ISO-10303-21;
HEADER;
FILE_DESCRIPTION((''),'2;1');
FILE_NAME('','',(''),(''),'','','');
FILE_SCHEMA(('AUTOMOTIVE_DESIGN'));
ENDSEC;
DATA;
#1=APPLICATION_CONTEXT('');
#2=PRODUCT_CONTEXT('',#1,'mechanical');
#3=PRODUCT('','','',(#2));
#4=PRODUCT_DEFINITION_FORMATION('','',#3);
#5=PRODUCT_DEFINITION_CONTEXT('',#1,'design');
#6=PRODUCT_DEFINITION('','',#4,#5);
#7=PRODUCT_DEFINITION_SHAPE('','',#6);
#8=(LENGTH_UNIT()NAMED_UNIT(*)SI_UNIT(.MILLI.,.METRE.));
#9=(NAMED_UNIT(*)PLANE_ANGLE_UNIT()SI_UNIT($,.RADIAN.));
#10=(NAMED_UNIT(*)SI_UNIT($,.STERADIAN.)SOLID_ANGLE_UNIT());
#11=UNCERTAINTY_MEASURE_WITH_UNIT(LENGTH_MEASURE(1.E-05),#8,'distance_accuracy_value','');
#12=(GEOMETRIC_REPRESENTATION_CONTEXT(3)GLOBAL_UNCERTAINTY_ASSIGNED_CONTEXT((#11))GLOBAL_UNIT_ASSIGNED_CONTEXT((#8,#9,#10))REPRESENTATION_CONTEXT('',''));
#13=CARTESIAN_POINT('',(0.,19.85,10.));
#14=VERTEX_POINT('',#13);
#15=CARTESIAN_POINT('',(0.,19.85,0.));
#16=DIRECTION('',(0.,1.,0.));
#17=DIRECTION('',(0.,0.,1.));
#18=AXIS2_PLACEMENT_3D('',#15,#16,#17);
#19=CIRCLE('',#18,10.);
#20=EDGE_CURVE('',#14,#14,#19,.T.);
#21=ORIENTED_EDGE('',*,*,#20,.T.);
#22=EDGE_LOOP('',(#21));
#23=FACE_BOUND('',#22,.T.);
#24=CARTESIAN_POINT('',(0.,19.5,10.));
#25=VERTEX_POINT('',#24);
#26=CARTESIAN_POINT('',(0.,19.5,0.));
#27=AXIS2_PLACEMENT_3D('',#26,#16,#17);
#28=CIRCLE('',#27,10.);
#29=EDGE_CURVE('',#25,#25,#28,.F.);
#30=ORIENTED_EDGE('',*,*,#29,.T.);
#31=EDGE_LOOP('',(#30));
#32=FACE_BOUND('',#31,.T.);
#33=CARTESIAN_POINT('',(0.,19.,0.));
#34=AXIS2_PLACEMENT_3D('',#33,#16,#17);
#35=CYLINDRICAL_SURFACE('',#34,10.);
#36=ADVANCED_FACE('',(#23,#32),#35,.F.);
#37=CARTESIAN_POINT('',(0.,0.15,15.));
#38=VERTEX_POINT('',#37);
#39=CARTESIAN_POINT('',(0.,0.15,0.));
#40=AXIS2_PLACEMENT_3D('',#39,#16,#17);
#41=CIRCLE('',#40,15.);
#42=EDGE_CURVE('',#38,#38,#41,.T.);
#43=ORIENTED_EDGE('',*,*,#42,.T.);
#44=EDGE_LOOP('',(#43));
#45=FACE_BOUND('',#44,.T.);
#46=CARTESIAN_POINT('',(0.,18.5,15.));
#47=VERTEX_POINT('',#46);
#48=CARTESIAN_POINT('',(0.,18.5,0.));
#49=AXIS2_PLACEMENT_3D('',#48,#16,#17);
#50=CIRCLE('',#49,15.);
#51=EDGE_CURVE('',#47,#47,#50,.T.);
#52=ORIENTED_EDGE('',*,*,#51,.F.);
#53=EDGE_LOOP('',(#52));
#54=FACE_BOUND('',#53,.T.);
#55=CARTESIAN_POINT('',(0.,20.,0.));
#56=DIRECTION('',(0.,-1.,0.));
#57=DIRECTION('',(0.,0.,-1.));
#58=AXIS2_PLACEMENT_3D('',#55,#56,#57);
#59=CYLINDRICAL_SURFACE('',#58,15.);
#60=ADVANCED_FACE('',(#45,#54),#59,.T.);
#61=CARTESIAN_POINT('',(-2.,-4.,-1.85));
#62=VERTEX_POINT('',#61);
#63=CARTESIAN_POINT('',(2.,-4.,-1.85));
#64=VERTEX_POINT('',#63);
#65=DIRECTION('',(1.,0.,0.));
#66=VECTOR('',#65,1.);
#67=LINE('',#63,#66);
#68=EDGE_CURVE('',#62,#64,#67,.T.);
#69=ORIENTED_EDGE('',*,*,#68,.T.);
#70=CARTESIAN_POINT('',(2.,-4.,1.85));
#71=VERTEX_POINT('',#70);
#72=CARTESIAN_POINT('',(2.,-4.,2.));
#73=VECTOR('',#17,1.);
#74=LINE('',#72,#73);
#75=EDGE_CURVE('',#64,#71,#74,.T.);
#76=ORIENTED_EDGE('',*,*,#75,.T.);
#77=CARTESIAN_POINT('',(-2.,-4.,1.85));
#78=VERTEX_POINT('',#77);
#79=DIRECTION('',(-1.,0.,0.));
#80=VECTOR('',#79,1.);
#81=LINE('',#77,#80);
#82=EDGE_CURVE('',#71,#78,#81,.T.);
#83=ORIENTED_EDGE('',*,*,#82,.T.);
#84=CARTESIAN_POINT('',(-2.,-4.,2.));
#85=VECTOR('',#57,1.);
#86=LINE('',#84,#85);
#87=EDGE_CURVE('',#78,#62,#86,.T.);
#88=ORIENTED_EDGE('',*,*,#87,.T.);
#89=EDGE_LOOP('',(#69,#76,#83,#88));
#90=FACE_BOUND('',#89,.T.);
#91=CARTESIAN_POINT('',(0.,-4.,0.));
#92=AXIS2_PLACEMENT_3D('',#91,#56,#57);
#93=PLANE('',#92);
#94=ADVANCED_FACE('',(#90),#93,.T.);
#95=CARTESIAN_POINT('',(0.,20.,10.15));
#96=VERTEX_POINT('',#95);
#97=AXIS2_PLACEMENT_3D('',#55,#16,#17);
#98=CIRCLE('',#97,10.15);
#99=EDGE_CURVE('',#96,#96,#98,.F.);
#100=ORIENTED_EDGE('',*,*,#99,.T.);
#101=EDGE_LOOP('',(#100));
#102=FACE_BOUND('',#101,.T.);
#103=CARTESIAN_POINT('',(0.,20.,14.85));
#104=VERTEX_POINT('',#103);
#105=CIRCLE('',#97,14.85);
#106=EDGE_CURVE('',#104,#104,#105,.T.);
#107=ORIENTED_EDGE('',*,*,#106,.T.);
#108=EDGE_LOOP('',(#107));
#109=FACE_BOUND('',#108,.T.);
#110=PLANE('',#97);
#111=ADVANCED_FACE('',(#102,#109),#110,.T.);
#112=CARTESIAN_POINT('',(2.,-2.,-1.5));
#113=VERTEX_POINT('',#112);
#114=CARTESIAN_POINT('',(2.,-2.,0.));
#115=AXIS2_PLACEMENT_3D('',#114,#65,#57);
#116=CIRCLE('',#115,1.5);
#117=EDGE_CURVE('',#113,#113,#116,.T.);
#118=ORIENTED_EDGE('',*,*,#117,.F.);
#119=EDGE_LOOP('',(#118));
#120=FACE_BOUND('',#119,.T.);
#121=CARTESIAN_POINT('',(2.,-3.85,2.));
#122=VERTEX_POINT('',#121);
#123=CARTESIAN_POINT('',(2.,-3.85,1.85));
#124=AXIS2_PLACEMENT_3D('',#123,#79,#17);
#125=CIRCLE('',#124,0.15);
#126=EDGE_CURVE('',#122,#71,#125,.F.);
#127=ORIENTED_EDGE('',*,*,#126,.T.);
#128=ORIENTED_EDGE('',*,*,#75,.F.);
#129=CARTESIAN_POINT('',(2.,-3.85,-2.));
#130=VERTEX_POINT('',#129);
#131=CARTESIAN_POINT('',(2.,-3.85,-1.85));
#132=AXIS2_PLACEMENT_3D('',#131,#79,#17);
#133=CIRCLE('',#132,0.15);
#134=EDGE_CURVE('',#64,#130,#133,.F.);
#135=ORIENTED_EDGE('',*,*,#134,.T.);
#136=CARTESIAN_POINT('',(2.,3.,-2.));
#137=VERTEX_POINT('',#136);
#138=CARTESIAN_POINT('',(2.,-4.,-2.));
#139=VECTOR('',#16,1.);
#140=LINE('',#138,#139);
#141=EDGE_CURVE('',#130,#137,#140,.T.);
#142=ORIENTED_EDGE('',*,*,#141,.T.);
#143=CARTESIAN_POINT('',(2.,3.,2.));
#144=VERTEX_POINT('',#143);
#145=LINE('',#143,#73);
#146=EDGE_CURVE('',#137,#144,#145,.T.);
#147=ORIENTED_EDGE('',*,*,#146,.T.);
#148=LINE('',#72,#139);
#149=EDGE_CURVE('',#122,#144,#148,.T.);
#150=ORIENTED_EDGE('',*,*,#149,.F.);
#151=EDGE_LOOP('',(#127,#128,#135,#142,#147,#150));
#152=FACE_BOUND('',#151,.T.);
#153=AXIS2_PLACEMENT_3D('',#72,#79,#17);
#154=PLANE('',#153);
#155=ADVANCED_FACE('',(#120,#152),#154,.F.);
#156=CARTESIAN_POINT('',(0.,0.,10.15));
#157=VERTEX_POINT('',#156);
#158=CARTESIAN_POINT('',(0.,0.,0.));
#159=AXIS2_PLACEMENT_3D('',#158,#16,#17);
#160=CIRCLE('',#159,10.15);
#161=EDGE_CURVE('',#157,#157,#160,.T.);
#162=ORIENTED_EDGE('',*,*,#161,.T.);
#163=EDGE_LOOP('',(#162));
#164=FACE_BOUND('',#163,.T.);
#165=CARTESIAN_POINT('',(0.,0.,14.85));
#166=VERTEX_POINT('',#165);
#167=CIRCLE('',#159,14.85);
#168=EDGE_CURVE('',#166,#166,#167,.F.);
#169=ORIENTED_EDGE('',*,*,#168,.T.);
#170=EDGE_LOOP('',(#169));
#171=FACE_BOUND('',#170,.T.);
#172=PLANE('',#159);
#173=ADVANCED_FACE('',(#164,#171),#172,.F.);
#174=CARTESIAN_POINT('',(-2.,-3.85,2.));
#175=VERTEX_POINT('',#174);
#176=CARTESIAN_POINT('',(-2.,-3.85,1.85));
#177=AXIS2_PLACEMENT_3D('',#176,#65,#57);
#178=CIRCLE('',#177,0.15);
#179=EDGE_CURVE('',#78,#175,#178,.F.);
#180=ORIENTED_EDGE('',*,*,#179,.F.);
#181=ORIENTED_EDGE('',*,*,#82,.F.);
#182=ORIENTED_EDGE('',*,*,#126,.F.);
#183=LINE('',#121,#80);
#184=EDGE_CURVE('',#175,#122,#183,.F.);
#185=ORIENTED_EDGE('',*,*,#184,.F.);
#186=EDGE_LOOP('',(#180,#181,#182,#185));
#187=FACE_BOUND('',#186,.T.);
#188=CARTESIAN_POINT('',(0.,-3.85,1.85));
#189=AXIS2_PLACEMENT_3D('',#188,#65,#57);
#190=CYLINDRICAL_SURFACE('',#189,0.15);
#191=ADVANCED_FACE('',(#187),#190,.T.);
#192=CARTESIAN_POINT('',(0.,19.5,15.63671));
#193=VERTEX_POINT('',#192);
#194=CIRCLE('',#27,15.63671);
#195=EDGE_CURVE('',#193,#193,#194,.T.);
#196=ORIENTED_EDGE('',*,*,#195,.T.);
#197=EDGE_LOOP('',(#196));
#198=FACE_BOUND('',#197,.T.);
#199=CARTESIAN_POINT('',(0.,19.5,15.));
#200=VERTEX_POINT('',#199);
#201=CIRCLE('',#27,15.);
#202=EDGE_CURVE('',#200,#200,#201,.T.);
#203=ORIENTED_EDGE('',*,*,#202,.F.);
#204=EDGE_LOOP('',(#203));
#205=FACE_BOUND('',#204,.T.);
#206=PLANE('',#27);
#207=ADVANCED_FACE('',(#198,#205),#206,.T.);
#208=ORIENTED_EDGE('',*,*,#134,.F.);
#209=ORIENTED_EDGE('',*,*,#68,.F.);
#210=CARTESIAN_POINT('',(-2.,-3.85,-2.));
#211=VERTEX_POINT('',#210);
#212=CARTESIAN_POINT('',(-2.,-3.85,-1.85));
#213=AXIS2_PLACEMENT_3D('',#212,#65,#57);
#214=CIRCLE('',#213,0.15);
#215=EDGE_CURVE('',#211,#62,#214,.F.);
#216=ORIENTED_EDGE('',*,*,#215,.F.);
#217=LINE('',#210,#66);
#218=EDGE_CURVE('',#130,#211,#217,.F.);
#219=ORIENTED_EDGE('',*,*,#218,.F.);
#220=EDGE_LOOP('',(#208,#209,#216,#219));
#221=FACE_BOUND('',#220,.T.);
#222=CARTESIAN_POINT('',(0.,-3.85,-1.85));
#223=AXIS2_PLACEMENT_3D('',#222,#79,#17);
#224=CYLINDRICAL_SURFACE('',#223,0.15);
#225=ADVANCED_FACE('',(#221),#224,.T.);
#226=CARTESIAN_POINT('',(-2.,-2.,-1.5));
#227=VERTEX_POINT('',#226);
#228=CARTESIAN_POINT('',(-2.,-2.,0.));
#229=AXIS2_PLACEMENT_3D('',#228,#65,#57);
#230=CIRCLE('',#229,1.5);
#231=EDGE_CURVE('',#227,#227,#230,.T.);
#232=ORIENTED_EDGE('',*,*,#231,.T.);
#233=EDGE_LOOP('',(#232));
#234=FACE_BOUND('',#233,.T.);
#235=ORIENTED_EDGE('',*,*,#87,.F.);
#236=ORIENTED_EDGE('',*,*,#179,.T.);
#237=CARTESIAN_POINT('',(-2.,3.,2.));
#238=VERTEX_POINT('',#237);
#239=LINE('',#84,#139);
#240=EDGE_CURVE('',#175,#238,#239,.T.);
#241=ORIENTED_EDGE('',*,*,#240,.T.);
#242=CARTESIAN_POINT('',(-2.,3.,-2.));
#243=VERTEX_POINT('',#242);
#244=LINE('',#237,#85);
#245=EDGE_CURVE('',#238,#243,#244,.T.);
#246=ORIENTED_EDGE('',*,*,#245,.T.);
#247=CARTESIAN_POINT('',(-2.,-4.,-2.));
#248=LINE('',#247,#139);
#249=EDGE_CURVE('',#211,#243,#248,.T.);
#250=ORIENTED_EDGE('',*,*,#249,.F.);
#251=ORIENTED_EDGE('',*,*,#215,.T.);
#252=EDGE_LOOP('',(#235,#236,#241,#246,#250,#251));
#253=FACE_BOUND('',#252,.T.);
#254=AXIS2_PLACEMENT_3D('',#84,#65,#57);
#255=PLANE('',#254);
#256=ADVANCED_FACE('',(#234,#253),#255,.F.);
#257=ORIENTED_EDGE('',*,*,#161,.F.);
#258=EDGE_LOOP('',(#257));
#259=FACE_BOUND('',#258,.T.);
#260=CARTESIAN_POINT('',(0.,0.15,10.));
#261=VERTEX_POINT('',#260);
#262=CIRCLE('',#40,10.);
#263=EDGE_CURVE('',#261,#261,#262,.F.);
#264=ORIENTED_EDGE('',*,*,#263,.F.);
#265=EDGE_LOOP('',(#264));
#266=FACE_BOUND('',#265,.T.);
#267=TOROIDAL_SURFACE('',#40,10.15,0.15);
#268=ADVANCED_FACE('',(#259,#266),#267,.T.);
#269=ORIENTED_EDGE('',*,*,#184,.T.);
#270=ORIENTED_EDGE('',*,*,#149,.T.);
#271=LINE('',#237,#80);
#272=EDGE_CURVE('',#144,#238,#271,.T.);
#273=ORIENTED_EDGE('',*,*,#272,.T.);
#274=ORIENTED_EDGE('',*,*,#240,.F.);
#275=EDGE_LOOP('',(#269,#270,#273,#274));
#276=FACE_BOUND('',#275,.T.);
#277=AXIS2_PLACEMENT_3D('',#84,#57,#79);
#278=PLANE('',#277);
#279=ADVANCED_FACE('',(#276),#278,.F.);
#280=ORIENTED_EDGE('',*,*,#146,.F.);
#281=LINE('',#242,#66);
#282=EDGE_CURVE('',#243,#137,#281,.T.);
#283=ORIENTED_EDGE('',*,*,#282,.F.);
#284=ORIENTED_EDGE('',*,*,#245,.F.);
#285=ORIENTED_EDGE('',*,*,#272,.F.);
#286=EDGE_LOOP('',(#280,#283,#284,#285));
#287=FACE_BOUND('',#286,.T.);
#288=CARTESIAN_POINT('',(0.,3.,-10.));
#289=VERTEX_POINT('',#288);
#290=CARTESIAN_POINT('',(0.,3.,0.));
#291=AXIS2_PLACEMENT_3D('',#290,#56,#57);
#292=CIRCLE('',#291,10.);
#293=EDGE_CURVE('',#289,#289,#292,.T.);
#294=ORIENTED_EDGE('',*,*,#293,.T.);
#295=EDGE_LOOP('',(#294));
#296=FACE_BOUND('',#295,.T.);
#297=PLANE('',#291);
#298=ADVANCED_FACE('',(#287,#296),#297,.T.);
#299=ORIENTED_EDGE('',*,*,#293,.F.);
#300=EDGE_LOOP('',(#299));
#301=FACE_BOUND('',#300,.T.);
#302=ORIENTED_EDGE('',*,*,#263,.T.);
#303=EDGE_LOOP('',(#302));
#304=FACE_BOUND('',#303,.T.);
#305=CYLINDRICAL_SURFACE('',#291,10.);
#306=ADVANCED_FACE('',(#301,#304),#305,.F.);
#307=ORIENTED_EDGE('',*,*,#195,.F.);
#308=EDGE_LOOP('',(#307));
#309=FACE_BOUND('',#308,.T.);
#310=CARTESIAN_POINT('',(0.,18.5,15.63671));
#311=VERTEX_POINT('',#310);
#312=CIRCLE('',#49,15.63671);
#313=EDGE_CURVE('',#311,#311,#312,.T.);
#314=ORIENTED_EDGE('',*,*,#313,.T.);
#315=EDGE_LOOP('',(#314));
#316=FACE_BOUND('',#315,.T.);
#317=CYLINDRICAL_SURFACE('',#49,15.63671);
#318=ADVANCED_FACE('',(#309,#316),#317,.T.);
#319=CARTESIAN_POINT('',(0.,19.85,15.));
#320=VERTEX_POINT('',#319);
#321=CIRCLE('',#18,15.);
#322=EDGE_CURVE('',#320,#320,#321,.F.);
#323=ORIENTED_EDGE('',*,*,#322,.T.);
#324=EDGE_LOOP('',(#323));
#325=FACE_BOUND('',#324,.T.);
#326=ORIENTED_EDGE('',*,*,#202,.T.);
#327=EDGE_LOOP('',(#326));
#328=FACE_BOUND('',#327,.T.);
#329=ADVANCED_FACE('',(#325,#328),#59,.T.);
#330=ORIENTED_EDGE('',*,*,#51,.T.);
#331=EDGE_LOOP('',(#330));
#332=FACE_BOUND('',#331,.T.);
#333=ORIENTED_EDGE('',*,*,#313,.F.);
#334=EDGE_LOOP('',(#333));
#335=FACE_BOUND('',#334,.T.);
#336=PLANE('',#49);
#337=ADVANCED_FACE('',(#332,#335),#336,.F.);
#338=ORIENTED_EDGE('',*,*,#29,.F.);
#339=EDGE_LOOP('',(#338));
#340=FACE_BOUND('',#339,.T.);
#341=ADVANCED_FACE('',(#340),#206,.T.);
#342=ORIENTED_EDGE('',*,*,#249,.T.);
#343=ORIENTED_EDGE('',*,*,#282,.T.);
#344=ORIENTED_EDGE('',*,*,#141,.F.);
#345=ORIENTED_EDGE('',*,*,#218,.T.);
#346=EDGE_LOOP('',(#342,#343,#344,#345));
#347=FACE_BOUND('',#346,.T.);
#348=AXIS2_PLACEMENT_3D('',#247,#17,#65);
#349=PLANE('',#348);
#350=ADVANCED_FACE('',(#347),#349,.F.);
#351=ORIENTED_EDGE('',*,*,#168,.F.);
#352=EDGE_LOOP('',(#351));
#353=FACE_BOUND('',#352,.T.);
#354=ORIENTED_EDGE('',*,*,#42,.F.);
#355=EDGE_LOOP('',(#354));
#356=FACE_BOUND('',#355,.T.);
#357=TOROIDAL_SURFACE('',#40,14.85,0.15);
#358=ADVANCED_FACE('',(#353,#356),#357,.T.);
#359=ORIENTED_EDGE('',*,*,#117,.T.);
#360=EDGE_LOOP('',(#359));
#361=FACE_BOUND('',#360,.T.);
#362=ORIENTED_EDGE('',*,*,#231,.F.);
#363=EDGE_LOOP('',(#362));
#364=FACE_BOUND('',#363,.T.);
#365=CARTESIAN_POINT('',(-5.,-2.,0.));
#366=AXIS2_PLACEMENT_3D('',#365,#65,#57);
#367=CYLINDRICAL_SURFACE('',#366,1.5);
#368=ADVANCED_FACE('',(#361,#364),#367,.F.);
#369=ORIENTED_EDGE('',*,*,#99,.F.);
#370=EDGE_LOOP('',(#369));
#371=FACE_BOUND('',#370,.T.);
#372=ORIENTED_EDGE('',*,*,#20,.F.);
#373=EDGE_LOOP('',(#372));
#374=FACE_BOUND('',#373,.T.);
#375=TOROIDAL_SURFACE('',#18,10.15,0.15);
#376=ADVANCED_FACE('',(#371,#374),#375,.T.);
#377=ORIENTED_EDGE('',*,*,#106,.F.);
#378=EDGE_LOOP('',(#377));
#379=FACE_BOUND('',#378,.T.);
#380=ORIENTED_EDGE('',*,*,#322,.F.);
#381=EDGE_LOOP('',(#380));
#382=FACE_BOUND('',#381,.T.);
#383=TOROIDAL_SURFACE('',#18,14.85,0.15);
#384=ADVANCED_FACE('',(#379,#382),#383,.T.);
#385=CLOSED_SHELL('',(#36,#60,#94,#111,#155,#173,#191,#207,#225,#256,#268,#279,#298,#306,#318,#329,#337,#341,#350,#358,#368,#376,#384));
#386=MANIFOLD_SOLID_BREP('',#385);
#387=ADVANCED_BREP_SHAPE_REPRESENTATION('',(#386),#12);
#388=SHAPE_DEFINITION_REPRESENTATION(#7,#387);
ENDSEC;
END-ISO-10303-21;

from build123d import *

# Parameters (mm, degrees)
IZIM1_R                     = 15
Y_KSEKLIK_EKSTR_ZYON2_DEPTH = 20
IZIM2_R                     = 10
KES_EKSTR_ZYON1_DEPTH       = 1
IZIM3_R                     = 10
KES_EKSTR_ZYON2_DEPTH       = 3
IZIM4_W                     = 4
IZIM4_H                     = 4
Y_KSEKLIK_EKSTR_ZYON3_DEPTH = 7
KES_EKSTR_ZYON3_DEPTH       = 7
RADYUS1_R                   = 0.15
Y_KSEKLIK_EKSTR_ZYON4_START = -0.5
IZIM6_R                     = 15.636710187
Y_KSEKLIK_EKSTR_ZYON4_DEPTH = 1


with BuildPart() as part:
    # Çizim1 → Yükseklik-Ekstrüzyon2 (new body)
    with BuildSketch(Plane(origin=(0, 0, 0), x_dir=(1, 0, 0), z_dir=(0, 1, 0))):
        Circle(IZIM1_R)
    extrude(amount=Y_KSEKLIK_EKSTR_ZYON2_DEPTH)

    # Çizim2 → Kes-Ekstrüzyon1 (cut)
    with BuildSketch(Plane(origin=(0, 20, 0), x_dir=(1, 0, 0), z_dir=(0, 1, 0))):
        Circle(IZIM2_R)
    extrude(amount=-KES_EKSTR_ZYON1_DEPTH, mode=Mode.SUBTRACT)

    # Çizim3 → Kes-Ekstrüzyon2 (cut)
    with BuildSketch(Plane.XZ):
        Circle(IZIM3_R)
    extrude(amount=-KES_EKSTR_ZYON2_DEPTH, mode=Mode.SUBTRACT)

    # Çizim4 → Yükseklik-Ekstrüzyon3 (add)
    with BuildSketch(Plane.XZ.offset(-3)):
        Rectangle(IZIM4_W, IZIM4_H)
    extrude(amount=Y_KSEKLIK_EKSTR_ZYON3_DEPTH)

    # Çizim5 → Kes-Ekstrüzyon3 (cut)
    with BuildSketch(Plane(origin=(2, 0, 0), x_dir=(0, 0, -1), z_dir=(1, 0, 0))):
        with BuildLine():
            ThreePointArc((1.060660172, -0.939339828), (-1.060660172, -0.939339828), (-1.060660172, -3.060660172))
            Line((-1.060660172, -3.060660172), (1.060660172, -0.939339828))
        make_face()
        with BuildLine():
            Line((1.060660172, -0.939339828), (-1.060660172, -3.060660172))
            ThreePointArc((-1.060660172, -3.060660172), (0.574025149, -3.385819299), (1.5, -2))
            ThreePointArc((1.5, -2), (1.385819299, -1.425974851), (1.060660172, -0.939339828))
        make_face()
    extrude(amount=-KES_EKSTR_ZYON3_DEPTH, mode=Mode.SUBTRACT)

    # Radyus1
    radyus1_edges = [part.edges().sort_by_distance(p)[0] for p in [
        (-10, 0, 0),
        (0, -4, 2),
        (0, -4, -2),
        (-15, 0, 0),
        (-15, 20, 0),
        (-10, 20, 0),
    ]]
    fillet(radyus1_edges, radius=RADYUS1_R)

    # Çizim6 → Yükseklik-Ekstrüzyon4 (add)
    with BuildSketch(Plane(origin=(0, 20, 0), x_dir=(1, 0, 0), z_dir=(0, 1, 0)).offset(Y_KSEKLIK_EKSTR_ZYON4_START)):
        Circle(IZIM6_R)
    extrude(amount=-Y_KSEKLIK_EKSTR_ZYON4_DEPTH)


solid = part.part
